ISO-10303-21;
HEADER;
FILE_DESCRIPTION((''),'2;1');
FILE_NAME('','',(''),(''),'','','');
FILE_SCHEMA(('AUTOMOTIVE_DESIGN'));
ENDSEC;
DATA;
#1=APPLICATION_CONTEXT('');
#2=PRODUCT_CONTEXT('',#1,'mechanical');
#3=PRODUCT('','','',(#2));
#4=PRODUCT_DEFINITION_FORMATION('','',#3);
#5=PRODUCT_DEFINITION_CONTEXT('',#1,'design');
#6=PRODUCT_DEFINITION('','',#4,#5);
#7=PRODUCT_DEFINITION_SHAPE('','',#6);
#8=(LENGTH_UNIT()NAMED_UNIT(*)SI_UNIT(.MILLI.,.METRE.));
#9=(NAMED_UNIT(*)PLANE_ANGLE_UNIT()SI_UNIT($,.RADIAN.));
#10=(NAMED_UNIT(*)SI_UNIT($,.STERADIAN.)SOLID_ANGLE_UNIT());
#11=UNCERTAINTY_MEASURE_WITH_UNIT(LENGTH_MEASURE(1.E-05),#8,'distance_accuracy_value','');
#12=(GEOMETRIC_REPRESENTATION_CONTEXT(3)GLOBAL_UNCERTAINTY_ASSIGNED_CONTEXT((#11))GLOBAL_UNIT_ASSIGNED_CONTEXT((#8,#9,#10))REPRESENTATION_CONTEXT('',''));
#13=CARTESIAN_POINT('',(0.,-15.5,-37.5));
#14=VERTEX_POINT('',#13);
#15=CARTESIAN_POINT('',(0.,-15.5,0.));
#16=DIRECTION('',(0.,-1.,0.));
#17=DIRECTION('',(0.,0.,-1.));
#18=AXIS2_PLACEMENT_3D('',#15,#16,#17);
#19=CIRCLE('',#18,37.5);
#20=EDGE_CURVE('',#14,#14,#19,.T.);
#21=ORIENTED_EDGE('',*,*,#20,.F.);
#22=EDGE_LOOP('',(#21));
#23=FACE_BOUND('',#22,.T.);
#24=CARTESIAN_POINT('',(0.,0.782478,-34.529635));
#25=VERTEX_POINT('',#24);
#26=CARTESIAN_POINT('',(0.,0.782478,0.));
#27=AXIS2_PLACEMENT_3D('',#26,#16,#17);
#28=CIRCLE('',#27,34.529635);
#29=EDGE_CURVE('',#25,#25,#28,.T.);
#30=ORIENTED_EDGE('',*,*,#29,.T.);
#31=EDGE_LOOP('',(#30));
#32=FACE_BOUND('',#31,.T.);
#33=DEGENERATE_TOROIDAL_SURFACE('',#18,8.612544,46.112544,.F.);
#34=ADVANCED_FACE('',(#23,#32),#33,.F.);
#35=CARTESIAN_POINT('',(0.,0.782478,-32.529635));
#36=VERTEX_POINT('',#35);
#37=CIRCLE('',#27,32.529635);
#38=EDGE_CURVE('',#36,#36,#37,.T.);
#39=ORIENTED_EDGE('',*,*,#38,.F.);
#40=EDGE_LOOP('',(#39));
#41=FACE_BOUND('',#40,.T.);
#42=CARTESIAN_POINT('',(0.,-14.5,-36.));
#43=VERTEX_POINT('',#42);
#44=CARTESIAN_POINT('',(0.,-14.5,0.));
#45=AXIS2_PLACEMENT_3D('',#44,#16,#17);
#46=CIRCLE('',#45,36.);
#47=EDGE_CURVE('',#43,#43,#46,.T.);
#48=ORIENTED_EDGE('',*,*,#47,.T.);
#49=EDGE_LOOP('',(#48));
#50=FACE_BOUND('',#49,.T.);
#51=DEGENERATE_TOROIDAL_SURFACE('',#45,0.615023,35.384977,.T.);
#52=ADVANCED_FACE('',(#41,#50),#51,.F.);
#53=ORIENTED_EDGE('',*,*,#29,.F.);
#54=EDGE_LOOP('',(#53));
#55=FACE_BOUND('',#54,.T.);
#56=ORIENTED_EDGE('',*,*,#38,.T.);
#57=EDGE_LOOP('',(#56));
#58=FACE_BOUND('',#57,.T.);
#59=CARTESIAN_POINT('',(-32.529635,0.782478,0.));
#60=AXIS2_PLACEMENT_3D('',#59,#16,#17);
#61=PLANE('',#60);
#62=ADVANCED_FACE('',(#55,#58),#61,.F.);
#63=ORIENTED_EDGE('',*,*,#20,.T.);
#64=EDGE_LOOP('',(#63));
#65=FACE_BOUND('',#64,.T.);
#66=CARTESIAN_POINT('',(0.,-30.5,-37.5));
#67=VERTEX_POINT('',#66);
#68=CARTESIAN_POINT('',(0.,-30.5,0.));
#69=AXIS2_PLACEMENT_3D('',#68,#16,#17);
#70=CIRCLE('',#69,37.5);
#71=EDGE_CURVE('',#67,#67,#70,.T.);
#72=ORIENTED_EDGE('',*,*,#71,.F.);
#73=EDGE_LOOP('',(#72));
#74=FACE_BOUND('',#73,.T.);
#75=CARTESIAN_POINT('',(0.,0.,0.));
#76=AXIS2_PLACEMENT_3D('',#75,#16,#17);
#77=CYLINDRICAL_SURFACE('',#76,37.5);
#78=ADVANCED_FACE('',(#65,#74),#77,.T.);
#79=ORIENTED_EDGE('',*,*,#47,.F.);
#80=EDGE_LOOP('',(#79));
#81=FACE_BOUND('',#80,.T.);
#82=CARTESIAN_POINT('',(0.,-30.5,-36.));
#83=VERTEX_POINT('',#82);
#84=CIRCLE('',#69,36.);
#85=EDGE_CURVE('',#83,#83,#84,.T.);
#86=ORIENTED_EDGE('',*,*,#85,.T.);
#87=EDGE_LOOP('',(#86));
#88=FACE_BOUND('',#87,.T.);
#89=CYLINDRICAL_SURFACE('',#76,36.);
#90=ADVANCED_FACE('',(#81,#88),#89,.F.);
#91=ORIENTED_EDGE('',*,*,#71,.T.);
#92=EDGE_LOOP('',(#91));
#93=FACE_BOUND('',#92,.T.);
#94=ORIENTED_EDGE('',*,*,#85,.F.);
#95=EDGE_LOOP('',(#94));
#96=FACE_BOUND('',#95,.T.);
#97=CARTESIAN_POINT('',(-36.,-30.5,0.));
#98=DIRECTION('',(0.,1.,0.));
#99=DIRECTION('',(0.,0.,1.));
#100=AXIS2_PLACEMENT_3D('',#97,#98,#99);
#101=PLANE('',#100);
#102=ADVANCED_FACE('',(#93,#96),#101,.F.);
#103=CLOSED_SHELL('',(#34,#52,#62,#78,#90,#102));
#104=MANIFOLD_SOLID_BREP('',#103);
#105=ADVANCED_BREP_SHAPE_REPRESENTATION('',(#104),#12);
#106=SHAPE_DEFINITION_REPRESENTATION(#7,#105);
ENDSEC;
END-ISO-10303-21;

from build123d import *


with BuildPart() as part:
    # Sketch1 → Revolve1 (revolve)
    with BuildSketch(Plane.XY):
        with BuildLine():
            Line((-36, -30.5), (-37.5, -30.5))
            Line((-37.5, -30.5), (-37.5, -15.5))
            ThreePointArc((-37.5, -15.5), (-36.751331251, -7.22440118), (-34.529635305, 0.782477602))
            Line((-34.529635305, 0.782477602), (-32.529635305, 0.782477602))
            ThreePointArc((-32.529635305, 0.782477602), (-35.121503693, -6.664223829), (-36, -14.5))
            Line((-36, -14.5), (-36, -30.5))
        make_face()
    revolve(axis=Axis((0, 0, 0), (0, 1, 0)))


solid = part.part
